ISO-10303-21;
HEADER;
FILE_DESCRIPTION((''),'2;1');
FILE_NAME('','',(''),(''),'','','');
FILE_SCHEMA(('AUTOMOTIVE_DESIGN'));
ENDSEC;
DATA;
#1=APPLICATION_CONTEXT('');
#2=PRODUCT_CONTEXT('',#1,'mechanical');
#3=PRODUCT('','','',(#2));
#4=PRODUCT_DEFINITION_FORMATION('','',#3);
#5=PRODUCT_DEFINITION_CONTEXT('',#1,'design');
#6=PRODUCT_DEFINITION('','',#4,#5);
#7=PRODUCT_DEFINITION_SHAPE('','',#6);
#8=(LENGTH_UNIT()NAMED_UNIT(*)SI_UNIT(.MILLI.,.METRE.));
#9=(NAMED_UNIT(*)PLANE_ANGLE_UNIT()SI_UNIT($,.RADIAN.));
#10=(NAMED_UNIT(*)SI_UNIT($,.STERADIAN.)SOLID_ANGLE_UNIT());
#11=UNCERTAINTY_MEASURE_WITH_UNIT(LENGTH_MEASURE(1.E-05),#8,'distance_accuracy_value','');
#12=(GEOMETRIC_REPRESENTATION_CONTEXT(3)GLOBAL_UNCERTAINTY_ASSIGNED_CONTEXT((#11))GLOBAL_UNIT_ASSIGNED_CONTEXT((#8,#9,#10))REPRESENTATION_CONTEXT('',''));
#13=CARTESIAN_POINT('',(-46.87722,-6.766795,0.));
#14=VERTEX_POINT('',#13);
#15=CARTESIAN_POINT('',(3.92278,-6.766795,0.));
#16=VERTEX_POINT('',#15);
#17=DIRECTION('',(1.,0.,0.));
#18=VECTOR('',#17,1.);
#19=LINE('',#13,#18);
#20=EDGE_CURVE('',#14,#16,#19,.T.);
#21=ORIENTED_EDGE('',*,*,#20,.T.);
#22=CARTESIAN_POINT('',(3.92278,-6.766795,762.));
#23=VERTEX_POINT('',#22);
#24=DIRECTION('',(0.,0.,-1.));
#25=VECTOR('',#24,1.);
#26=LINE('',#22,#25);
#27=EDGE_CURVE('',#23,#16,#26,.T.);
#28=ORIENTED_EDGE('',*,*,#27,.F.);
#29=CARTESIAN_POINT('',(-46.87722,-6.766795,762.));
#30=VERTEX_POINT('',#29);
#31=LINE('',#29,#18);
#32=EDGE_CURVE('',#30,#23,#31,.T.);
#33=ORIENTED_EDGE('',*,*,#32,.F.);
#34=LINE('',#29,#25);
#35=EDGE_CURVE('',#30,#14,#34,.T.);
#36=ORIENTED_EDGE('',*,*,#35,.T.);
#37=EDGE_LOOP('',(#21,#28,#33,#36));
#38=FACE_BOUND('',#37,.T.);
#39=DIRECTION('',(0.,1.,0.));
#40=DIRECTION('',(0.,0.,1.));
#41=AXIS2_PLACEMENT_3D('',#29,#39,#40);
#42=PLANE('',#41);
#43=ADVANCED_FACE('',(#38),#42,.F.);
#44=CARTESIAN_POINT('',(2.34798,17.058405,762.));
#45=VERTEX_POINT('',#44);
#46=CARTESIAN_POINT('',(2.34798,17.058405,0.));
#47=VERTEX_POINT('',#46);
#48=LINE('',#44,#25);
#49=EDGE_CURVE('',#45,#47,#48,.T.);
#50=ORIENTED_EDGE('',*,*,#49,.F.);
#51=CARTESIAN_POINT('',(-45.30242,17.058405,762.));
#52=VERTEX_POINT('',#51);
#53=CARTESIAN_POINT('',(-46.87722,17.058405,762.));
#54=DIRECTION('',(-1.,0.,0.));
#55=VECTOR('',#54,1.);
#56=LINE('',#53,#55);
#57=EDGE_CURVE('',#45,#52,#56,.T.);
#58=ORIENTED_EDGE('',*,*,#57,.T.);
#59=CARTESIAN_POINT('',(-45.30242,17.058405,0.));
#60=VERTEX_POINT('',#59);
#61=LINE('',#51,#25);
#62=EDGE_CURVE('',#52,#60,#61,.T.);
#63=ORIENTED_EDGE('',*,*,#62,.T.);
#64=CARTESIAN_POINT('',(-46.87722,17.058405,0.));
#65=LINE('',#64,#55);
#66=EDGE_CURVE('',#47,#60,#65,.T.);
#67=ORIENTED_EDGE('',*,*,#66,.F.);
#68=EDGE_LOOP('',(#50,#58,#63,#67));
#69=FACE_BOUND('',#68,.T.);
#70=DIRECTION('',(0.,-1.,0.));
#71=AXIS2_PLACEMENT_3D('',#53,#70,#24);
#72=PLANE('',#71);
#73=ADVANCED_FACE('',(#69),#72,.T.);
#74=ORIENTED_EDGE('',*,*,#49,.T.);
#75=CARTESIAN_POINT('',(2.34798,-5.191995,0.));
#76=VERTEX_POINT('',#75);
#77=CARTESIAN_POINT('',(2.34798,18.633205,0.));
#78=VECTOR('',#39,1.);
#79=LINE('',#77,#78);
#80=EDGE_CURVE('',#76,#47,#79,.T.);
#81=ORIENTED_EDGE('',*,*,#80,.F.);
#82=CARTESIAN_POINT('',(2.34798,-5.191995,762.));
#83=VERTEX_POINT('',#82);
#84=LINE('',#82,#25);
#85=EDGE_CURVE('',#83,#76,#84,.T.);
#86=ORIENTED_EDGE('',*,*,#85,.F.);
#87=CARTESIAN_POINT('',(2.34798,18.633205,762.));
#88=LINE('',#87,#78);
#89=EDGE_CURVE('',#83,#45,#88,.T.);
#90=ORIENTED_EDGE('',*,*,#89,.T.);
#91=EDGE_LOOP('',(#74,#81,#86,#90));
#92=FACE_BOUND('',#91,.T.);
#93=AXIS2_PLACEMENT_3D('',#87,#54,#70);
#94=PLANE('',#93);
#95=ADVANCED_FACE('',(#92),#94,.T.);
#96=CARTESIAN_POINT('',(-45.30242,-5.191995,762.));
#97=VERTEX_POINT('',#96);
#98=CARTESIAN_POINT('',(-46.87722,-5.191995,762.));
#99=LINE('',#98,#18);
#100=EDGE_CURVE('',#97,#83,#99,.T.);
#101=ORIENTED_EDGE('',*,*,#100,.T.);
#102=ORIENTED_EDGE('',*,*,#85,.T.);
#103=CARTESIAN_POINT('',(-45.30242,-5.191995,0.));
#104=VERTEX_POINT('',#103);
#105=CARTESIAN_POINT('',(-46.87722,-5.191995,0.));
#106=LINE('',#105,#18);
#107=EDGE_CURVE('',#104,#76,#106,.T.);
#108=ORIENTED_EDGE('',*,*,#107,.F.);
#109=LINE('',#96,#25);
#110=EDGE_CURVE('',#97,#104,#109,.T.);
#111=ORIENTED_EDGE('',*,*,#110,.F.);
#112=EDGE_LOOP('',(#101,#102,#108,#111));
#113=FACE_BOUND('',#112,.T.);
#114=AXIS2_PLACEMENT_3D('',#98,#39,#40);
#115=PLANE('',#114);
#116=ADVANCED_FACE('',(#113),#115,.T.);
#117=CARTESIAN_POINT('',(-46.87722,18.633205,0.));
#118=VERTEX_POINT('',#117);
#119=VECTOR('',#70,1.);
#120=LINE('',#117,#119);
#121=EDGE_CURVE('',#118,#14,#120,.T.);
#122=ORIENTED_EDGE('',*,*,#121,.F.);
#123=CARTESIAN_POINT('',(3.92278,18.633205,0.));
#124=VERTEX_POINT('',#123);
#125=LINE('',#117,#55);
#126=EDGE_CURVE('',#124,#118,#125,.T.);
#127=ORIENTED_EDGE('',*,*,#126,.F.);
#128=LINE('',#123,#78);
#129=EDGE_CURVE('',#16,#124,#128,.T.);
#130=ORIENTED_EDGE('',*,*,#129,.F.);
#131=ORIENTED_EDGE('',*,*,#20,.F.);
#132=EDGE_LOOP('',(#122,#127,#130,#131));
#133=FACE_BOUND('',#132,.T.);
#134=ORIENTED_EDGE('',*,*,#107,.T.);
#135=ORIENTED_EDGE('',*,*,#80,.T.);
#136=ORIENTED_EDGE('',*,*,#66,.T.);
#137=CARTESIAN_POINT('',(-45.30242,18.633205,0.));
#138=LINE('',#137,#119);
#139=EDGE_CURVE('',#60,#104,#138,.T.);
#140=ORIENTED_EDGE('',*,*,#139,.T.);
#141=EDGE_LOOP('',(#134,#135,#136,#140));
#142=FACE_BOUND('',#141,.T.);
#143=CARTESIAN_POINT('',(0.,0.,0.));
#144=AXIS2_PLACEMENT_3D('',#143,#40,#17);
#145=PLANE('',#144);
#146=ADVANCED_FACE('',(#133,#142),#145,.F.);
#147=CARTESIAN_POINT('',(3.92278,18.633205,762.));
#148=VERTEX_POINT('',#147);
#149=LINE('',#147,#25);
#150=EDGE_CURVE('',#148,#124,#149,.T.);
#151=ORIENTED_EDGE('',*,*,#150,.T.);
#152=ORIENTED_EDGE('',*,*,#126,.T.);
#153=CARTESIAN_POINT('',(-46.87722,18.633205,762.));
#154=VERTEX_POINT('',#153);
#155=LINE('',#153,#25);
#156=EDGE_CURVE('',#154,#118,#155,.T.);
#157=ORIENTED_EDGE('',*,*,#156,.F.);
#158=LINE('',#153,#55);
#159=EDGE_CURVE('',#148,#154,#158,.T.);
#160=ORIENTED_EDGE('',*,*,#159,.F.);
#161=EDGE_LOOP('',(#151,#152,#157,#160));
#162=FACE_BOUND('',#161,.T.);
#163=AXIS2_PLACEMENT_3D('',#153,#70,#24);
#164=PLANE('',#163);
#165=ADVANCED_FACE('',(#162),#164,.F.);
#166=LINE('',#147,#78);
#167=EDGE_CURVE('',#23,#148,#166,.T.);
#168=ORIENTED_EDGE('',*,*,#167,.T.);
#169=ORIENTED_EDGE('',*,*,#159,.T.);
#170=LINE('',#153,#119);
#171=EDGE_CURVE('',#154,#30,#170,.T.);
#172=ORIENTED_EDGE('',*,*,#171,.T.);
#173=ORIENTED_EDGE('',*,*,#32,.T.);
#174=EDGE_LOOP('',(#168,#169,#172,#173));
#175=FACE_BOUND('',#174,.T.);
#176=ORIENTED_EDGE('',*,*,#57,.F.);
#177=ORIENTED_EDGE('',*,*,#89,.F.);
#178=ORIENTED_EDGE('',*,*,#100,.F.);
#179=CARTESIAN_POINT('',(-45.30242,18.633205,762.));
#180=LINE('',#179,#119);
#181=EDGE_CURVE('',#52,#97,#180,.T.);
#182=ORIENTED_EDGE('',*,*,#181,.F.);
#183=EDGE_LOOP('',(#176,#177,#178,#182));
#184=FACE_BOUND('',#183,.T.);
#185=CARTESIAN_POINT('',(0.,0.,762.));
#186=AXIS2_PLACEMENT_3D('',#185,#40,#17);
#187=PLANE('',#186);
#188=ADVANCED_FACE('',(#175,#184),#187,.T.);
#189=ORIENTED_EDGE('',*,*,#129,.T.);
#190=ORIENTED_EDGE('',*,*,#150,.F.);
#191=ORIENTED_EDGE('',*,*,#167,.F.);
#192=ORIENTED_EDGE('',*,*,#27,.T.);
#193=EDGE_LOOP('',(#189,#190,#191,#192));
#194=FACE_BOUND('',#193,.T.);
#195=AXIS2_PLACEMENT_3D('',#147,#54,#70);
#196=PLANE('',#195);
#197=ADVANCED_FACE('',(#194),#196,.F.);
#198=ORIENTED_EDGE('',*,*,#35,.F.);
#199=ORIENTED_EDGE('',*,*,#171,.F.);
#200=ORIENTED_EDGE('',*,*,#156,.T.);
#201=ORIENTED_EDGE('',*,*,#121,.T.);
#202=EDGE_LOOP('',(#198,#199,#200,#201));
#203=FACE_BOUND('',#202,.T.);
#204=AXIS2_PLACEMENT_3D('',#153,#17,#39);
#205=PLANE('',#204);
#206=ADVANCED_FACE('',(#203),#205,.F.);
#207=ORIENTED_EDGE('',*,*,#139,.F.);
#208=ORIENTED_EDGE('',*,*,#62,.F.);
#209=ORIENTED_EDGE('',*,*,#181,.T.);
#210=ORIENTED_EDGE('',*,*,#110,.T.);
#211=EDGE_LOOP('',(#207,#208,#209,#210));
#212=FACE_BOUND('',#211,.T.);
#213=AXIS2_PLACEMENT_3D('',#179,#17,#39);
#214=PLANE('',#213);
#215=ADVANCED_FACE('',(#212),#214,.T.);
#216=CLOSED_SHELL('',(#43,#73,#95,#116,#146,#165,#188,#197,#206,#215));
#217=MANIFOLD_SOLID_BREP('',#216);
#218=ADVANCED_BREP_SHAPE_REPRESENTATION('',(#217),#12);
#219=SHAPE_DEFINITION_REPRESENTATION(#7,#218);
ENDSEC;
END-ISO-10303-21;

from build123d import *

# Parameters (mm, degrees)
SKETCH1_W           = 50.8
SKETCH1_H           = 25.4
SKETCH1_W_2         = 47.6504
SKETCH1_H_2         = 22.2504
EXTRUDE_THIN1_DEPTH = 762


with BuildPart() as part:
    # Sketch1 → Extrude-Thin1 (new body)
    with BuildSketch(Plane.XY):
        with Locations((-21.477220077, 5.933204633)):
            Rectangle(SKETCH1_W, SKETCH1_H)
        with Locations((-21.477220077, 5.933204633)):
            Rectangle(SKETCH1_W_2, SKETCH1_H_2, mode=Mode.SUBTRACT)
    extrude(amount=EXTRUDE_THIN1_DEPTH)


solid = part.part
